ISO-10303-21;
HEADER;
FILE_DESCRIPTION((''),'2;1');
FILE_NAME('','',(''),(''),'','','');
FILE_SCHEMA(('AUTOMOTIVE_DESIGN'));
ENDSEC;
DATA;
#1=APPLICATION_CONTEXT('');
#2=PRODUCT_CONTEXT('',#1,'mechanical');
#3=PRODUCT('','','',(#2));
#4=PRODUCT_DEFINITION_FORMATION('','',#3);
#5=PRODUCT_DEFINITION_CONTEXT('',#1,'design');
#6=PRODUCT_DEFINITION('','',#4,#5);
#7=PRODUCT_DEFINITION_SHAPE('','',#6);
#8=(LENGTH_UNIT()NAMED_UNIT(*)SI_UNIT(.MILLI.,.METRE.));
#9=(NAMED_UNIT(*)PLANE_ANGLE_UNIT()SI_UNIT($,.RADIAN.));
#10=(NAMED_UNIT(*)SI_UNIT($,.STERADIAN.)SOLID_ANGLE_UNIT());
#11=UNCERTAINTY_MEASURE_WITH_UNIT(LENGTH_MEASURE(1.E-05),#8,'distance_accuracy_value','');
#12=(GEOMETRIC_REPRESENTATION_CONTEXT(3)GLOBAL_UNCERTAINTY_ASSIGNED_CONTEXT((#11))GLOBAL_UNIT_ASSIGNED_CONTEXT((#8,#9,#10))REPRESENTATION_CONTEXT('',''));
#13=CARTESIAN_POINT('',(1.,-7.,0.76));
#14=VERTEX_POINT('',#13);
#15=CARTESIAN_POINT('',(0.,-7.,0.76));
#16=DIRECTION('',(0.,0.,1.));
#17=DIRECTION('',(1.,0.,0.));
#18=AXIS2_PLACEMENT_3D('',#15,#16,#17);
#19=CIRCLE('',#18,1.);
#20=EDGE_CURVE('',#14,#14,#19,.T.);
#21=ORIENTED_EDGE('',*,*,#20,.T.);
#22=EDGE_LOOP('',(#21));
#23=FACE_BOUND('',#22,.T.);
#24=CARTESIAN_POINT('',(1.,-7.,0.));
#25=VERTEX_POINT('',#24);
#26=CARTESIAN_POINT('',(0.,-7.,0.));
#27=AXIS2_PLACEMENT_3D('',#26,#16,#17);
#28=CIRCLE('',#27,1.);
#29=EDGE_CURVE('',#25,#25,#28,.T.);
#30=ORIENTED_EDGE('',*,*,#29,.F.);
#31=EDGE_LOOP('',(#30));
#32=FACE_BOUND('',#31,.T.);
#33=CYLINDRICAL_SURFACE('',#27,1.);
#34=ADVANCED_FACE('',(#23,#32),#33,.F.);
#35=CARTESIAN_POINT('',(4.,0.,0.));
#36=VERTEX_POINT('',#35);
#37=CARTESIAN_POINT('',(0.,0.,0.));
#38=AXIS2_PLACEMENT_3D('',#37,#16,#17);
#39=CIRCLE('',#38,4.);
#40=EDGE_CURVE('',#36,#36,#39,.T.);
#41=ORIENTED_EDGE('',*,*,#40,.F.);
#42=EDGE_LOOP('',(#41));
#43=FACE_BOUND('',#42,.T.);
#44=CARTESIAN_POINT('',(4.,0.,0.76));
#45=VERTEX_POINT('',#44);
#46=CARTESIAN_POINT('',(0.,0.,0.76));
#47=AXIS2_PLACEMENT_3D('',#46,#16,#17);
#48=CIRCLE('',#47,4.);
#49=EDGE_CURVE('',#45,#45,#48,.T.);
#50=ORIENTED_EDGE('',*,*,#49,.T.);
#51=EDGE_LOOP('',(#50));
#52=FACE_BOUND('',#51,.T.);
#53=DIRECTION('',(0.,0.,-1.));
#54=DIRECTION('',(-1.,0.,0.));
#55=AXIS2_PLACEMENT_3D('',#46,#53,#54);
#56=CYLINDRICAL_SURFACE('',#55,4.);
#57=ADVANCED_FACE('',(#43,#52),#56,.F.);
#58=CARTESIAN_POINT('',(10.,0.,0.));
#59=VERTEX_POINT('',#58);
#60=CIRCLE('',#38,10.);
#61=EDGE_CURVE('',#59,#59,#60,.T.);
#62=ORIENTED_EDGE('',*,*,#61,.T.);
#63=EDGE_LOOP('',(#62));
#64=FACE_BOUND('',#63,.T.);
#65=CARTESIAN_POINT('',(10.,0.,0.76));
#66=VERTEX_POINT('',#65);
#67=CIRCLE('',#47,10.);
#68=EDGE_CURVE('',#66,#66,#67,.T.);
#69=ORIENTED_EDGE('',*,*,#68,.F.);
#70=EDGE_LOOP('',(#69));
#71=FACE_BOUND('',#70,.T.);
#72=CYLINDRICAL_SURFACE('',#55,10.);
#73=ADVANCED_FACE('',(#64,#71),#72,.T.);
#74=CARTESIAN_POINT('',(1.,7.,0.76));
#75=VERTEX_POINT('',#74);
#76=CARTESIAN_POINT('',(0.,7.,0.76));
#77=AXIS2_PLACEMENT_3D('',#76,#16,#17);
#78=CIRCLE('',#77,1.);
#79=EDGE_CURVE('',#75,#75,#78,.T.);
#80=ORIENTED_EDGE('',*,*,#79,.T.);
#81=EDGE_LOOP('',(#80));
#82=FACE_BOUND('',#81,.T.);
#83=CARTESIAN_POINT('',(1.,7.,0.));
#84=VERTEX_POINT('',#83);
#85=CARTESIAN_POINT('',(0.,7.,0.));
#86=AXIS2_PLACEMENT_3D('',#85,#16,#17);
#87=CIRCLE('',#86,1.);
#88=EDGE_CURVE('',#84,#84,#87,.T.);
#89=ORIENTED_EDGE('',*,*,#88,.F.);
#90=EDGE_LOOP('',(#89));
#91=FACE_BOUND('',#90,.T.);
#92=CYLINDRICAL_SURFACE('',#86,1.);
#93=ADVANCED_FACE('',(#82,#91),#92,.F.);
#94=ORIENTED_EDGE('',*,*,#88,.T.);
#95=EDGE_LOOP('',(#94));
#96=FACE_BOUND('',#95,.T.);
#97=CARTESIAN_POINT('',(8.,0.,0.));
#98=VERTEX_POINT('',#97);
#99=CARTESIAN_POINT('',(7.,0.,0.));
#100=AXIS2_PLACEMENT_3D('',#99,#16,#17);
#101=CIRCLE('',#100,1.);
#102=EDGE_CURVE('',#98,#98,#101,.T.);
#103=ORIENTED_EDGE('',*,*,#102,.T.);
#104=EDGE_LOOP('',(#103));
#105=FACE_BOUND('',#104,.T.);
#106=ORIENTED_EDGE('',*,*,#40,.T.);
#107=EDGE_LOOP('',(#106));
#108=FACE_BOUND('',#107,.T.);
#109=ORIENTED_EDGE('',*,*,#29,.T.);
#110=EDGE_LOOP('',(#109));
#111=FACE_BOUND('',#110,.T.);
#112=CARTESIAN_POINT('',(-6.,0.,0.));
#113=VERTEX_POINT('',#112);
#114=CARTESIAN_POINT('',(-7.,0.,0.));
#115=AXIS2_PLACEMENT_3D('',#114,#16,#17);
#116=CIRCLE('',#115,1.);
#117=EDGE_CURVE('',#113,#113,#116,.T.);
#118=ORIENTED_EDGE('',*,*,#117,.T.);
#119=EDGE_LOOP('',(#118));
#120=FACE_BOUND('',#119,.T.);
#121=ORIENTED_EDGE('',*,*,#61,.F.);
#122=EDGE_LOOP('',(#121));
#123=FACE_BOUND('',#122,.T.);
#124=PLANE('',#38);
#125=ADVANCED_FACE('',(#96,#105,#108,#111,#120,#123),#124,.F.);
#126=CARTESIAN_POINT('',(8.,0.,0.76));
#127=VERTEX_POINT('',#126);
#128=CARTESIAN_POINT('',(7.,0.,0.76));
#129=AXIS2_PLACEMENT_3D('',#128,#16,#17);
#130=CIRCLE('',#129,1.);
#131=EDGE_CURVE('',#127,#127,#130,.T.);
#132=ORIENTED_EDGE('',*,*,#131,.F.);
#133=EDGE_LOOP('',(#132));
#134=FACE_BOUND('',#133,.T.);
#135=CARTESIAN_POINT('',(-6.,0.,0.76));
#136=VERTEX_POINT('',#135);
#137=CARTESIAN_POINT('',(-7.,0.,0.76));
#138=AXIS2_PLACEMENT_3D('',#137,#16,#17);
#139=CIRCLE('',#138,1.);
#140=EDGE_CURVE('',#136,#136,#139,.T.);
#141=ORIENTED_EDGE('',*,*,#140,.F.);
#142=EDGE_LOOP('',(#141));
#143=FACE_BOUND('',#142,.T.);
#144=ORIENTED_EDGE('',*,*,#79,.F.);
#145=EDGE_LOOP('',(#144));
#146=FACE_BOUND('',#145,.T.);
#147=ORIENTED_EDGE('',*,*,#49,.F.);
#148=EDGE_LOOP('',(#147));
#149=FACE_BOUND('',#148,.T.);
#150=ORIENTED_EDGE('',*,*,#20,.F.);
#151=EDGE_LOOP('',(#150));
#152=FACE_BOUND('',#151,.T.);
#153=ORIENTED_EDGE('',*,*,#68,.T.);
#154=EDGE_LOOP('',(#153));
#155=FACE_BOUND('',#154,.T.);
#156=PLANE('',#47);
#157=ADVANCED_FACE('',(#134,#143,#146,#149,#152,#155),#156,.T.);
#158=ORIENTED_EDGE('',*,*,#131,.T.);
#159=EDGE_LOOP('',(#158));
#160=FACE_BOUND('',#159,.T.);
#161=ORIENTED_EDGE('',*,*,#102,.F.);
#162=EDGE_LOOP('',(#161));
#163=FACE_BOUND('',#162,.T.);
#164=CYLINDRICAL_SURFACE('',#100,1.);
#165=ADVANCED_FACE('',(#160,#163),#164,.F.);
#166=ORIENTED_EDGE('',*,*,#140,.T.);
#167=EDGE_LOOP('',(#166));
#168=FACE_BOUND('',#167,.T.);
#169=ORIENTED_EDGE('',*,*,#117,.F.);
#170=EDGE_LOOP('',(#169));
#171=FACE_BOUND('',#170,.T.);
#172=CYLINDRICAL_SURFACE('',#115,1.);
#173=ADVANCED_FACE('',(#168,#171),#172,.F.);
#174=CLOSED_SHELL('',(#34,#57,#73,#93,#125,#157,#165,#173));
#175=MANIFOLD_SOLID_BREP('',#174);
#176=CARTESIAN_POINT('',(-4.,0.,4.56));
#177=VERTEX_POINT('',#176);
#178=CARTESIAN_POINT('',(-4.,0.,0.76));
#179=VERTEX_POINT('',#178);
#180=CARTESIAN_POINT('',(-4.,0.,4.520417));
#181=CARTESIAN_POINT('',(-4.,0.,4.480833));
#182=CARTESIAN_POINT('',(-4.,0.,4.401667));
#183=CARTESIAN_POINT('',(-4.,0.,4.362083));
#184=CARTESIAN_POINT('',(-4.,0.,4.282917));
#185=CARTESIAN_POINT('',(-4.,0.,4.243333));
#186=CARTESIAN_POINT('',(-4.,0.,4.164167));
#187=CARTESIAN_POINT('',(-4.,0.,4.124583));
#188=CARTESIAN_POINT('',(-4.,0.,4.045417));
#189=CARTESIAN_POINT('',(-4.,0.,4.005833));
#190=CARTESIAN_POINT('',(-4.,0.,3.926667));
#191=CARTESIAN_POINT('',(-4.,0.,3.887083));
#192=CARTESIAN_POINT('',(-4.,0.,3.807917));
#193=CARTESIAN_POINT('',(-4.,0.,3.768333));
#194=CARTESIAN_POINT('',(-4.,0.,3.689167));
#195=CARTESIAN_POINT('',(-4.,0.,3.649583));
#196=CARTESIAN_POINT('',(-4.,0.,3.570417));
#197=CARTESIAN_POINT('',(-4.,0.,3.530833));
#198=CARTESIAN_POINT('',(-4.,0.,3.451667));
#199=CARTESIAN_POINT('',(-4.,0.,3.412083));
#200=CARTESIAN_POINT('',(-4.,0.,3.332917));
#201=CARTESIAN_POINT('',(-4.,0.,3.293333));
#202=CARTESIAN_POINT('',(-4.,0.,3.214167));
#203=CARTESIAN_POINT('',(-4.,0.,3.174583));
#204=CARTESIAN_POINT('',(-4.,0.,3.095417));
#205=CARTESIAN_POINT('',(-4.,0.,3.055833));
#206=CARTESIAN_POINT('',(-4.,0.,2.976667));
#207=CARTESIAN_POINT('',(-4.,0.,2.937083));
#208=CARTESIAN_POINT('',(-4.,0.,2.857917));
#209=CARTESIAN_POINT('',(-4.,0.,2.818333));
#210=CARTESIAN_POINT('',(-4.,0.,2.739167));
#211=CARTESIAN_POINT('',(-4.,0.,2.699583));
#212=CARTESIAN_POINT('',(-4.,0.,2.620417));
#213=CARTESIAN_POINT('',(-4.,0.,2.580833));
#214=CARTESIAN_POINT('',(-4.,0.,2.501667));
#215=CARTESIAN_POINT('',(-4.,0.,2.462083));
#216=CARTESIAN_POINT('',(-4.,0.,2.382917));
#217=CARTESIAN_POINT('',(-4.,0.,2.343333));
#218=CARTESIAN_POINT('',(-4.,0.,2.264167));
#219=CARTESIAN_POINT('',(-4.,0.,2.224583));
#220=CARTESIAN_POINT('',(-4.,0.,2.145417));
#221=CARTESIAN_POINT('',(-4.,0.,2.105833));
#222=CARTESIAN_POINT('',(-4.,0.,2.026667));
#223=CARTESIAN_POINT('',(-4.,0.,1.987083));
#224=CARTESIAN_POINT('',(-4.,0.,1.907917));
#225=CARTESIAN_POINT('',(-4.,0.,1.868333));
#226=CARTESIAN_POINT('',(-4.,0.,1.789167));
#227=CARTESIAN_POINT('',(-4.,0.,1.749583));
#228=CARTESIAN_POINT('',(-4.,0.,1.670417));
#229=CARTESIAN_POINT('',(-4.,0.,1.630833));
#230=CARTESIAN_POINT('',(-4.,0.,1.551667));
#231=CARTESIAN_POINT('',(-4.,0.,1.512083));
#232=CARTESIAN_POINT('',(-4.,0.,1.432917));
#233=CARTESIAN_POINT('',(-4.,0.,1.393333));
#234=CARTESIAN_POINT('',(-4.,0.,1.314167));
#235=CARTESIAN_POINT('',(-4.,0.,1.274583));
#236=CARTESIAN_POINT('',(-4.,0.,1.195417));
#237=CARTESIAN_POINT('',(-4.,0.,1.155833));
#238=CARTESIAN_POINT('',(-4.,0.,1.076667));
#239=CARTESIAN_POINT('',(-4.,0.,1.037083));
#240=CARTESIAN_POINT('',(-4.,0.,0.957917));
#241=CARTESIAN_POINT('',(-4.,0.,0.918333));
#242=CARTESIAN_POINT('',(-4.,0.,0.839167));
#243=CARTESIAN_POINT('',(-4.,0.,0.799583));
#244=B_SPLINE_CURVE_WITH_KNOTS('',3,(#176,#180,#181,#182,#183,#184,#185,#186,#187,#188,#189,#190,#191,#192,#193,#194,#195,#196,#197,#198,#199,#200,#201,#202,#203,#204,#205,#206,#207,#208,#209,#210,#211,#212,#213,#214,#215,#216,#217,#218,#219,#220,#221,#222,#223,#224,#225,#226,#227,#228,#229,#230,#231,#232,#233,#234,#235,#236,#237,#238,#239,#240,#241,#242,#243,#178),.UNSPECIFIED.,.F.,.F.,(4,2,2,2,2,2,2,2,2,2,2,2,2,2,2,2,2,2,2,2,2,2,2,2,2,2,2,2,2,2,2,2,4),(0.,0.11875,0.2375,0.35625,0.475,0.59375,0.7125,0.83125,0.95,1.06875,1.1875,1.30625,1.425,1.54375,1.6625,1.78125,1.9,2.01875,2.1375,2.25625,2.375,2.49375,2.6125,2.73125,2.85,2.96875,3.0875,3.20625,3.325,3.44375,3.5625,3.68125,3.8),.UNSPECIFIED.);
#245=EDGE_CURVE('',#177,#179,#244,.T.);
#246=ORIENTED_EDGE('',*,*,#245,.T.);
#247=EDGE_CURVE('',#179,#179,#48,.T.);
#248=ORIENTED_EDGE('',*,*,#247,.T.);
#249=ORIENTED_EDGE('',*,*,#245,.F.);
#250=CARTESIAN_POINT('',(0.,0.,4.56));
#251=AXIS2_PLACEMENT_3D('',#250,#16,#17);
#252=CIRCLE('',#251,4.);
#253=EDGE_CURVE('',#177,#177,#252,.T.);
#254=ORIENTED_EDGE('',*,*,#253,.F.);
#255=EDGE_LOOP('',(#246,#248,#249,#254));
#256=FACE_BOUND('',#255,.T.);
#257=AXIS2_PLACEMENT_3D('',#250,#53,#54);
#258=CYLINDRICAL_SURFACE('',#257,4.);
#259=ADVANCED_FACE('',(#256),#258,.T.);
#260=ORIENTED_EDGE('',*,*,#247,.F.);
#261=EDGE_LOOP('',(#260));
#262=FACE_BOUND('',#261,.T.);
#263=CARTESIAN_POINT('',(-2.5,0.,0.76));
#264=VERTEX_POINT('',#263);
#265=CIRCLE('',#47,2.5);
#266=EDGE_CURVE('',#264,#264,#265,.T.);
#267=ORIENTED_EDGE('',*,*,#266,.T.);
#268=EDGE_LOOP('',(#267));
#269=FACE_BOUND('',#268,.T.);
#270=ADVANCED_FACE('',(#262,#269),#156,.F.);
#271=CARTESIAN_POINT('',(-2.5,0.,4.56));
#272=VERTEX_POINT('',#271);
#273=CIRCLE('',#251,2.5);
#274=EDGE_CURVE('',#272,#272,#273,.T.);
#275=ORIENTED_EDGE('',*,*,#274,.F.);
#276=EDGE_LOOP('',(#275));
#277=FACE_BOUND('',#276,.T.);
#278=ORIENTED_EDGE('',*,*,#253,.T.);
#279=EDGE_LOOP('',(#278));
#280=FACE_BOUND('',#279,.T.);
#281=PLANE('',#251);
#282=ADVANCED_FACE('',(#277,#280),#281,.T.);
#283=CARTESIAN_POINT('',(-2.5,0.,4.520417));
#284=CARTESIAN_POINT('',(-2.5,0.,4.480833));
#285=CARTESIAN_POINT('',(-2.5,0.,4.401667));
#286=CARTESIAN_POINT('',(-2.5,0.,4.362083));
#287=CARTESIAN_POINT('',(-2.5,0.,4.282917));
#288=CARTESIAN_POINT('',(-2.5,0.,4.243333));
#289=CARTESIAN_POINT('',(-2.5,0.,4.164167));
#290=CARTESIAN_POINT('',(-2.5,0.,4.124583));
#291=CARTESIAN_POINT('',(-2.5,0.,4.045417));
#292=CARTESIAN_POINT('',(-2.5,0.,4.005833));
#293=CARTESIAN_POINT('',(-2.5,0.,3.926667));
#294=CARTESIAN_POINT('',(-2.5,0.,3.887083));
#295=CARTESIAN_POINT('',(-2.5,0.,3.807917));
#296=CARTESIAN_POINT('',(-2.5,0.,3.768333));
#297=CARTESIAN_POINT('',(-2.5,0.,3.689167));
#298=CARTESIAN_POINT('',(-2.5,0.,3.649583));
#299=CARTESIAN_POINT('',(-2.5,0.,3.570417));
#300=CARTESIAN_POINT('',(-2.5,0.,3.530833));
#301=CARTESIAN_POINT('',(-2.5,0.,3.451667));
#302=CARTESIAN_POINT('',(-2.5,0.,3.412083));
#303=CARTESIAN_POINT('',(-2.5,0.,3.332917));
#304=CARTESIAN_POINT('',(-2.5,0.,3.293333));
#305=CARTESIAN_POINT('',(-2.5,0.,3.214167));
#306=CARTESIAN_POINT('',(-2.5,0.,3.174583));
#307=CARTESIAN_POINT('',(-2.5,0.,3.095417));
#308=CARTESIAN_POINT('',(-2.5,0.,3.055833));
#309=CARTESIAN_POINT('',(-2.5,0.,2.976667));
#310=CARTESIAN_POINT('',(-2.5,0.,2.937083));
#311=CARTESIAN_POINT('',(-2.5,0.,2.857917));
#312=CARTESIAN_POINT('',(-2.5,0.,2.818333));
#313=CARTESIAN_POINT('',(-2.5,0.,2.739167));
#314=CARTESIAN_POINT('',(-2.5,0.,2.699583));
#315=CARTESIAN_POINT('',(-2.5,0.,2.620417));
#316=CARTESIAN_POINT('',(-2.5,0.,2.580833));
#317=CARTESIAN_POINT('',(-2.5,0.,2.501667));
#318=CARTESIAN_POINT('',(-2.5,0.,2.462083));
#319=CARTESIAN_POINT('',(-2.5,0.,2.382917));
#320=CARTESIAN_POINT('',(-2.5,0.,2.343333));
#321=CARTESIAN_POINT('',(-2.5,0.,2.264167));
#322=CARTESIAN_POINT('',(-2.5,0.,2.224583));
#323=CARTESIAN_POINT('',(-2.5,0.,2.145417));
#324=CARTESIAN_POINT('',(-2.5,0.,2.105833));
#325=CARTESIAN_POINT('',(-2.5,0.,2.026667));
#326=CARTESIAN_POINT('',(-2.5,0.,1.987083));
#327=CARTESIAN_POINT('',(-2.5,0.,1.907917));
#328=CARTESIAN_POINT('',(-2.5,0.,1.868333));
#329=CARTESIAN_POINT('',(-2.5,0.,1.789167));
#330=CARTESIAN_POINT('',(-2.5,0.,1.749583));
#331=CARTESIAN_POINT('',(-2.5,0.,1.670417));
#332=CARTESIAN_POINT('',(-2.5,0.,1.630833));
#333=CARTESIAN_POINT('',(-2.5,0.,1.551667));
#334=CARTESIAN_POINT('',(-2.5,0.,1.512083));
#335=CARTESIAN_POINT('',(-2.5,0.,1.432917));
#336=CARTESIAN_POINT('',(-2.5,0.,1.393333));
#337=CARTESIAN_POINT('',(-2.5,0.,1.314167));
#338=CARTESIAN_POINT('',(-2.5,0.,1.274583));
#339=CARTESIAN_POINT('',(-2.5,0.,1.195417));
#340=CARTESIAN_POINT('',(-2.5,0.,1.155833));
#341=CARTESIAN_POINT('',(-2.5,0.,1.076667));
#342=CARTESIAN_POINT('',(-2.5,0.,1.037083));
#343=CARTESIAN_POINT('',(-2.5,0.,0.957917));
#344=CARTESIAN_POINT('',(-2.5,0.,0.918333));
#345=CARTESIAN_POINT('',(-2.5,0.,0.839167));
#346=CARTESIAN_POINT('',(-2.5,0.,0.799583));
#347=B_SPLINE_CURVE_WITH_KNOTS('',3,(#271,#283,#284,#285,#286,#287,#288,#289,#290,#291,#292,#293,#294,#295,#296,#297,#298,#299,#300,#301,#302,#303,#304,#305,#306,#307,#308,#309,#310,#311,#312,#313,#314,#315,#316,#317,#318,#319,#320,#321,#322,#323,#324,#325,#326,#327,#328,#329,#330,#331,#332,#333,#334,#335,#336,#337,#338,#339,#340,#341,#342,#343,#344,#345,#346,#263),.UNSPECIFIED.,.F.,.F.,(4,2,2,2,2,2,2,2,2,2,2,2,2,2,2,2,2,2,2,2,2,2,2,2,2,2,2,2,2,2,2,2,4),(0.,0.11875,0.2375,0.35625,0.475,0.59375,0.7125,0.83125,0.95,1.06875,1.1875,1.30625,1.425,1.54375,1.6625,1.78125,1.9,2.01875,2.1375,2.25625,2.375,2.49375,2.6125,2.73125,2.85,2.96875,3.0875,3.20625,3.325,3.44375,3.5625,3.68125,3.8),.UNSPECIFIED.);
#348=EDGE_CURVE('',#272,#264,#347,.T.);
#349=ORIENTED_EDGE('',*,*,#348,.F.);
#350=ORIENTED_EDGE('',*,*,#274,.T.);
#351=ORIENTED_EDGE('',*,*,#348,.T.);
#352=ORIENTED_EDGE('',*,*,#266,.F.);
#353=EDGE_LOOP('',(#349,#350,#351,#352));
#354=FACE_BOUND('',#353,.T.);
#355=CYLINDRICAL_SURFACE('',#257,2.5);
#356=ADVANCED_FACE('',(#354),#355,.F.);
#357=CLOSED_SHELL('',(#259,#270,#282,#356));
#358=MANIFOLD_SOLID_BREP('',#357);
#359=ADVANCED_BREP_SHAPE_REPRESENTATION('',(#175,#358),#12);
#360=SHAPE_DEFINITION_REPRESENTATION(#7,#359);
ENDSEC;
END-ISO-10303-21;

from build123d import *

# Parameters (mm, degrees)
IZIM1_R                     = 10
IZIM1_R_2                   = 4
Y_KSEKLIK_EKSTR_ZYON1_DEPTH = 0.76
IZIM2_R                     = 1
KES_EKSTR_ZYON1_DEPTH       = 0.76
IZIM3_R                     = 4
IZIM3_R_2                   = 2.5
Y_KSEKLIK_EKSTR_ZYON2_DEPTH = 3.8


with BuildPart() as part:
    # Çizim1 → Yükseklik-Ekstrüzyon1 (new body)
    with BuildSketch(Plane.XY):
        Circle(IZIM1_R)
        Circle(IZIM1_R_2, mode=Mode.SUBTRACT)
    extrude(amount=Y_KSEKLIK_EKSTR_ZYON1_DEPTH)

    # Çizim2 → Kes-Ekstrüzyon1 (cut)
    with BuildSketch(Plane.XY.offset(0.76)):
        with Locations((-7, 0)):
            Circle(IZIM2_R)
        with Locations((0, 7)):
            Circle(IZIM2_R)
        with Locations((7, 0)):
            Circle(IZIM2_R)
        with Locations((0, -7)):
            Circle(IZIM2_R)
    extrude(amount=-KES_EKSTR_ZYON1_DEPTH, mode=Mode.SUBTRACT)


with BuildPart() as body_2:
    # Çizim3 → Yükseklik-Ekstrüzyon2 (new body)
    with BuildSketch(Plane.XY.offset(0.76)):
        with Locations(Location((0, 0, 0), (0, 0, 180))):
            Circle(IZIM3_R)
        with Locations(Location((0, 0, 0), (0, 0, 180))):
            Circle(IZIM3_R_2, mode=Mode.SUBTRACT)
    extrude(amount=Y_KSEKLIK_EKSTR_ZYON2_DEPTH)


solid = Compound([part.part, body_2.part])
